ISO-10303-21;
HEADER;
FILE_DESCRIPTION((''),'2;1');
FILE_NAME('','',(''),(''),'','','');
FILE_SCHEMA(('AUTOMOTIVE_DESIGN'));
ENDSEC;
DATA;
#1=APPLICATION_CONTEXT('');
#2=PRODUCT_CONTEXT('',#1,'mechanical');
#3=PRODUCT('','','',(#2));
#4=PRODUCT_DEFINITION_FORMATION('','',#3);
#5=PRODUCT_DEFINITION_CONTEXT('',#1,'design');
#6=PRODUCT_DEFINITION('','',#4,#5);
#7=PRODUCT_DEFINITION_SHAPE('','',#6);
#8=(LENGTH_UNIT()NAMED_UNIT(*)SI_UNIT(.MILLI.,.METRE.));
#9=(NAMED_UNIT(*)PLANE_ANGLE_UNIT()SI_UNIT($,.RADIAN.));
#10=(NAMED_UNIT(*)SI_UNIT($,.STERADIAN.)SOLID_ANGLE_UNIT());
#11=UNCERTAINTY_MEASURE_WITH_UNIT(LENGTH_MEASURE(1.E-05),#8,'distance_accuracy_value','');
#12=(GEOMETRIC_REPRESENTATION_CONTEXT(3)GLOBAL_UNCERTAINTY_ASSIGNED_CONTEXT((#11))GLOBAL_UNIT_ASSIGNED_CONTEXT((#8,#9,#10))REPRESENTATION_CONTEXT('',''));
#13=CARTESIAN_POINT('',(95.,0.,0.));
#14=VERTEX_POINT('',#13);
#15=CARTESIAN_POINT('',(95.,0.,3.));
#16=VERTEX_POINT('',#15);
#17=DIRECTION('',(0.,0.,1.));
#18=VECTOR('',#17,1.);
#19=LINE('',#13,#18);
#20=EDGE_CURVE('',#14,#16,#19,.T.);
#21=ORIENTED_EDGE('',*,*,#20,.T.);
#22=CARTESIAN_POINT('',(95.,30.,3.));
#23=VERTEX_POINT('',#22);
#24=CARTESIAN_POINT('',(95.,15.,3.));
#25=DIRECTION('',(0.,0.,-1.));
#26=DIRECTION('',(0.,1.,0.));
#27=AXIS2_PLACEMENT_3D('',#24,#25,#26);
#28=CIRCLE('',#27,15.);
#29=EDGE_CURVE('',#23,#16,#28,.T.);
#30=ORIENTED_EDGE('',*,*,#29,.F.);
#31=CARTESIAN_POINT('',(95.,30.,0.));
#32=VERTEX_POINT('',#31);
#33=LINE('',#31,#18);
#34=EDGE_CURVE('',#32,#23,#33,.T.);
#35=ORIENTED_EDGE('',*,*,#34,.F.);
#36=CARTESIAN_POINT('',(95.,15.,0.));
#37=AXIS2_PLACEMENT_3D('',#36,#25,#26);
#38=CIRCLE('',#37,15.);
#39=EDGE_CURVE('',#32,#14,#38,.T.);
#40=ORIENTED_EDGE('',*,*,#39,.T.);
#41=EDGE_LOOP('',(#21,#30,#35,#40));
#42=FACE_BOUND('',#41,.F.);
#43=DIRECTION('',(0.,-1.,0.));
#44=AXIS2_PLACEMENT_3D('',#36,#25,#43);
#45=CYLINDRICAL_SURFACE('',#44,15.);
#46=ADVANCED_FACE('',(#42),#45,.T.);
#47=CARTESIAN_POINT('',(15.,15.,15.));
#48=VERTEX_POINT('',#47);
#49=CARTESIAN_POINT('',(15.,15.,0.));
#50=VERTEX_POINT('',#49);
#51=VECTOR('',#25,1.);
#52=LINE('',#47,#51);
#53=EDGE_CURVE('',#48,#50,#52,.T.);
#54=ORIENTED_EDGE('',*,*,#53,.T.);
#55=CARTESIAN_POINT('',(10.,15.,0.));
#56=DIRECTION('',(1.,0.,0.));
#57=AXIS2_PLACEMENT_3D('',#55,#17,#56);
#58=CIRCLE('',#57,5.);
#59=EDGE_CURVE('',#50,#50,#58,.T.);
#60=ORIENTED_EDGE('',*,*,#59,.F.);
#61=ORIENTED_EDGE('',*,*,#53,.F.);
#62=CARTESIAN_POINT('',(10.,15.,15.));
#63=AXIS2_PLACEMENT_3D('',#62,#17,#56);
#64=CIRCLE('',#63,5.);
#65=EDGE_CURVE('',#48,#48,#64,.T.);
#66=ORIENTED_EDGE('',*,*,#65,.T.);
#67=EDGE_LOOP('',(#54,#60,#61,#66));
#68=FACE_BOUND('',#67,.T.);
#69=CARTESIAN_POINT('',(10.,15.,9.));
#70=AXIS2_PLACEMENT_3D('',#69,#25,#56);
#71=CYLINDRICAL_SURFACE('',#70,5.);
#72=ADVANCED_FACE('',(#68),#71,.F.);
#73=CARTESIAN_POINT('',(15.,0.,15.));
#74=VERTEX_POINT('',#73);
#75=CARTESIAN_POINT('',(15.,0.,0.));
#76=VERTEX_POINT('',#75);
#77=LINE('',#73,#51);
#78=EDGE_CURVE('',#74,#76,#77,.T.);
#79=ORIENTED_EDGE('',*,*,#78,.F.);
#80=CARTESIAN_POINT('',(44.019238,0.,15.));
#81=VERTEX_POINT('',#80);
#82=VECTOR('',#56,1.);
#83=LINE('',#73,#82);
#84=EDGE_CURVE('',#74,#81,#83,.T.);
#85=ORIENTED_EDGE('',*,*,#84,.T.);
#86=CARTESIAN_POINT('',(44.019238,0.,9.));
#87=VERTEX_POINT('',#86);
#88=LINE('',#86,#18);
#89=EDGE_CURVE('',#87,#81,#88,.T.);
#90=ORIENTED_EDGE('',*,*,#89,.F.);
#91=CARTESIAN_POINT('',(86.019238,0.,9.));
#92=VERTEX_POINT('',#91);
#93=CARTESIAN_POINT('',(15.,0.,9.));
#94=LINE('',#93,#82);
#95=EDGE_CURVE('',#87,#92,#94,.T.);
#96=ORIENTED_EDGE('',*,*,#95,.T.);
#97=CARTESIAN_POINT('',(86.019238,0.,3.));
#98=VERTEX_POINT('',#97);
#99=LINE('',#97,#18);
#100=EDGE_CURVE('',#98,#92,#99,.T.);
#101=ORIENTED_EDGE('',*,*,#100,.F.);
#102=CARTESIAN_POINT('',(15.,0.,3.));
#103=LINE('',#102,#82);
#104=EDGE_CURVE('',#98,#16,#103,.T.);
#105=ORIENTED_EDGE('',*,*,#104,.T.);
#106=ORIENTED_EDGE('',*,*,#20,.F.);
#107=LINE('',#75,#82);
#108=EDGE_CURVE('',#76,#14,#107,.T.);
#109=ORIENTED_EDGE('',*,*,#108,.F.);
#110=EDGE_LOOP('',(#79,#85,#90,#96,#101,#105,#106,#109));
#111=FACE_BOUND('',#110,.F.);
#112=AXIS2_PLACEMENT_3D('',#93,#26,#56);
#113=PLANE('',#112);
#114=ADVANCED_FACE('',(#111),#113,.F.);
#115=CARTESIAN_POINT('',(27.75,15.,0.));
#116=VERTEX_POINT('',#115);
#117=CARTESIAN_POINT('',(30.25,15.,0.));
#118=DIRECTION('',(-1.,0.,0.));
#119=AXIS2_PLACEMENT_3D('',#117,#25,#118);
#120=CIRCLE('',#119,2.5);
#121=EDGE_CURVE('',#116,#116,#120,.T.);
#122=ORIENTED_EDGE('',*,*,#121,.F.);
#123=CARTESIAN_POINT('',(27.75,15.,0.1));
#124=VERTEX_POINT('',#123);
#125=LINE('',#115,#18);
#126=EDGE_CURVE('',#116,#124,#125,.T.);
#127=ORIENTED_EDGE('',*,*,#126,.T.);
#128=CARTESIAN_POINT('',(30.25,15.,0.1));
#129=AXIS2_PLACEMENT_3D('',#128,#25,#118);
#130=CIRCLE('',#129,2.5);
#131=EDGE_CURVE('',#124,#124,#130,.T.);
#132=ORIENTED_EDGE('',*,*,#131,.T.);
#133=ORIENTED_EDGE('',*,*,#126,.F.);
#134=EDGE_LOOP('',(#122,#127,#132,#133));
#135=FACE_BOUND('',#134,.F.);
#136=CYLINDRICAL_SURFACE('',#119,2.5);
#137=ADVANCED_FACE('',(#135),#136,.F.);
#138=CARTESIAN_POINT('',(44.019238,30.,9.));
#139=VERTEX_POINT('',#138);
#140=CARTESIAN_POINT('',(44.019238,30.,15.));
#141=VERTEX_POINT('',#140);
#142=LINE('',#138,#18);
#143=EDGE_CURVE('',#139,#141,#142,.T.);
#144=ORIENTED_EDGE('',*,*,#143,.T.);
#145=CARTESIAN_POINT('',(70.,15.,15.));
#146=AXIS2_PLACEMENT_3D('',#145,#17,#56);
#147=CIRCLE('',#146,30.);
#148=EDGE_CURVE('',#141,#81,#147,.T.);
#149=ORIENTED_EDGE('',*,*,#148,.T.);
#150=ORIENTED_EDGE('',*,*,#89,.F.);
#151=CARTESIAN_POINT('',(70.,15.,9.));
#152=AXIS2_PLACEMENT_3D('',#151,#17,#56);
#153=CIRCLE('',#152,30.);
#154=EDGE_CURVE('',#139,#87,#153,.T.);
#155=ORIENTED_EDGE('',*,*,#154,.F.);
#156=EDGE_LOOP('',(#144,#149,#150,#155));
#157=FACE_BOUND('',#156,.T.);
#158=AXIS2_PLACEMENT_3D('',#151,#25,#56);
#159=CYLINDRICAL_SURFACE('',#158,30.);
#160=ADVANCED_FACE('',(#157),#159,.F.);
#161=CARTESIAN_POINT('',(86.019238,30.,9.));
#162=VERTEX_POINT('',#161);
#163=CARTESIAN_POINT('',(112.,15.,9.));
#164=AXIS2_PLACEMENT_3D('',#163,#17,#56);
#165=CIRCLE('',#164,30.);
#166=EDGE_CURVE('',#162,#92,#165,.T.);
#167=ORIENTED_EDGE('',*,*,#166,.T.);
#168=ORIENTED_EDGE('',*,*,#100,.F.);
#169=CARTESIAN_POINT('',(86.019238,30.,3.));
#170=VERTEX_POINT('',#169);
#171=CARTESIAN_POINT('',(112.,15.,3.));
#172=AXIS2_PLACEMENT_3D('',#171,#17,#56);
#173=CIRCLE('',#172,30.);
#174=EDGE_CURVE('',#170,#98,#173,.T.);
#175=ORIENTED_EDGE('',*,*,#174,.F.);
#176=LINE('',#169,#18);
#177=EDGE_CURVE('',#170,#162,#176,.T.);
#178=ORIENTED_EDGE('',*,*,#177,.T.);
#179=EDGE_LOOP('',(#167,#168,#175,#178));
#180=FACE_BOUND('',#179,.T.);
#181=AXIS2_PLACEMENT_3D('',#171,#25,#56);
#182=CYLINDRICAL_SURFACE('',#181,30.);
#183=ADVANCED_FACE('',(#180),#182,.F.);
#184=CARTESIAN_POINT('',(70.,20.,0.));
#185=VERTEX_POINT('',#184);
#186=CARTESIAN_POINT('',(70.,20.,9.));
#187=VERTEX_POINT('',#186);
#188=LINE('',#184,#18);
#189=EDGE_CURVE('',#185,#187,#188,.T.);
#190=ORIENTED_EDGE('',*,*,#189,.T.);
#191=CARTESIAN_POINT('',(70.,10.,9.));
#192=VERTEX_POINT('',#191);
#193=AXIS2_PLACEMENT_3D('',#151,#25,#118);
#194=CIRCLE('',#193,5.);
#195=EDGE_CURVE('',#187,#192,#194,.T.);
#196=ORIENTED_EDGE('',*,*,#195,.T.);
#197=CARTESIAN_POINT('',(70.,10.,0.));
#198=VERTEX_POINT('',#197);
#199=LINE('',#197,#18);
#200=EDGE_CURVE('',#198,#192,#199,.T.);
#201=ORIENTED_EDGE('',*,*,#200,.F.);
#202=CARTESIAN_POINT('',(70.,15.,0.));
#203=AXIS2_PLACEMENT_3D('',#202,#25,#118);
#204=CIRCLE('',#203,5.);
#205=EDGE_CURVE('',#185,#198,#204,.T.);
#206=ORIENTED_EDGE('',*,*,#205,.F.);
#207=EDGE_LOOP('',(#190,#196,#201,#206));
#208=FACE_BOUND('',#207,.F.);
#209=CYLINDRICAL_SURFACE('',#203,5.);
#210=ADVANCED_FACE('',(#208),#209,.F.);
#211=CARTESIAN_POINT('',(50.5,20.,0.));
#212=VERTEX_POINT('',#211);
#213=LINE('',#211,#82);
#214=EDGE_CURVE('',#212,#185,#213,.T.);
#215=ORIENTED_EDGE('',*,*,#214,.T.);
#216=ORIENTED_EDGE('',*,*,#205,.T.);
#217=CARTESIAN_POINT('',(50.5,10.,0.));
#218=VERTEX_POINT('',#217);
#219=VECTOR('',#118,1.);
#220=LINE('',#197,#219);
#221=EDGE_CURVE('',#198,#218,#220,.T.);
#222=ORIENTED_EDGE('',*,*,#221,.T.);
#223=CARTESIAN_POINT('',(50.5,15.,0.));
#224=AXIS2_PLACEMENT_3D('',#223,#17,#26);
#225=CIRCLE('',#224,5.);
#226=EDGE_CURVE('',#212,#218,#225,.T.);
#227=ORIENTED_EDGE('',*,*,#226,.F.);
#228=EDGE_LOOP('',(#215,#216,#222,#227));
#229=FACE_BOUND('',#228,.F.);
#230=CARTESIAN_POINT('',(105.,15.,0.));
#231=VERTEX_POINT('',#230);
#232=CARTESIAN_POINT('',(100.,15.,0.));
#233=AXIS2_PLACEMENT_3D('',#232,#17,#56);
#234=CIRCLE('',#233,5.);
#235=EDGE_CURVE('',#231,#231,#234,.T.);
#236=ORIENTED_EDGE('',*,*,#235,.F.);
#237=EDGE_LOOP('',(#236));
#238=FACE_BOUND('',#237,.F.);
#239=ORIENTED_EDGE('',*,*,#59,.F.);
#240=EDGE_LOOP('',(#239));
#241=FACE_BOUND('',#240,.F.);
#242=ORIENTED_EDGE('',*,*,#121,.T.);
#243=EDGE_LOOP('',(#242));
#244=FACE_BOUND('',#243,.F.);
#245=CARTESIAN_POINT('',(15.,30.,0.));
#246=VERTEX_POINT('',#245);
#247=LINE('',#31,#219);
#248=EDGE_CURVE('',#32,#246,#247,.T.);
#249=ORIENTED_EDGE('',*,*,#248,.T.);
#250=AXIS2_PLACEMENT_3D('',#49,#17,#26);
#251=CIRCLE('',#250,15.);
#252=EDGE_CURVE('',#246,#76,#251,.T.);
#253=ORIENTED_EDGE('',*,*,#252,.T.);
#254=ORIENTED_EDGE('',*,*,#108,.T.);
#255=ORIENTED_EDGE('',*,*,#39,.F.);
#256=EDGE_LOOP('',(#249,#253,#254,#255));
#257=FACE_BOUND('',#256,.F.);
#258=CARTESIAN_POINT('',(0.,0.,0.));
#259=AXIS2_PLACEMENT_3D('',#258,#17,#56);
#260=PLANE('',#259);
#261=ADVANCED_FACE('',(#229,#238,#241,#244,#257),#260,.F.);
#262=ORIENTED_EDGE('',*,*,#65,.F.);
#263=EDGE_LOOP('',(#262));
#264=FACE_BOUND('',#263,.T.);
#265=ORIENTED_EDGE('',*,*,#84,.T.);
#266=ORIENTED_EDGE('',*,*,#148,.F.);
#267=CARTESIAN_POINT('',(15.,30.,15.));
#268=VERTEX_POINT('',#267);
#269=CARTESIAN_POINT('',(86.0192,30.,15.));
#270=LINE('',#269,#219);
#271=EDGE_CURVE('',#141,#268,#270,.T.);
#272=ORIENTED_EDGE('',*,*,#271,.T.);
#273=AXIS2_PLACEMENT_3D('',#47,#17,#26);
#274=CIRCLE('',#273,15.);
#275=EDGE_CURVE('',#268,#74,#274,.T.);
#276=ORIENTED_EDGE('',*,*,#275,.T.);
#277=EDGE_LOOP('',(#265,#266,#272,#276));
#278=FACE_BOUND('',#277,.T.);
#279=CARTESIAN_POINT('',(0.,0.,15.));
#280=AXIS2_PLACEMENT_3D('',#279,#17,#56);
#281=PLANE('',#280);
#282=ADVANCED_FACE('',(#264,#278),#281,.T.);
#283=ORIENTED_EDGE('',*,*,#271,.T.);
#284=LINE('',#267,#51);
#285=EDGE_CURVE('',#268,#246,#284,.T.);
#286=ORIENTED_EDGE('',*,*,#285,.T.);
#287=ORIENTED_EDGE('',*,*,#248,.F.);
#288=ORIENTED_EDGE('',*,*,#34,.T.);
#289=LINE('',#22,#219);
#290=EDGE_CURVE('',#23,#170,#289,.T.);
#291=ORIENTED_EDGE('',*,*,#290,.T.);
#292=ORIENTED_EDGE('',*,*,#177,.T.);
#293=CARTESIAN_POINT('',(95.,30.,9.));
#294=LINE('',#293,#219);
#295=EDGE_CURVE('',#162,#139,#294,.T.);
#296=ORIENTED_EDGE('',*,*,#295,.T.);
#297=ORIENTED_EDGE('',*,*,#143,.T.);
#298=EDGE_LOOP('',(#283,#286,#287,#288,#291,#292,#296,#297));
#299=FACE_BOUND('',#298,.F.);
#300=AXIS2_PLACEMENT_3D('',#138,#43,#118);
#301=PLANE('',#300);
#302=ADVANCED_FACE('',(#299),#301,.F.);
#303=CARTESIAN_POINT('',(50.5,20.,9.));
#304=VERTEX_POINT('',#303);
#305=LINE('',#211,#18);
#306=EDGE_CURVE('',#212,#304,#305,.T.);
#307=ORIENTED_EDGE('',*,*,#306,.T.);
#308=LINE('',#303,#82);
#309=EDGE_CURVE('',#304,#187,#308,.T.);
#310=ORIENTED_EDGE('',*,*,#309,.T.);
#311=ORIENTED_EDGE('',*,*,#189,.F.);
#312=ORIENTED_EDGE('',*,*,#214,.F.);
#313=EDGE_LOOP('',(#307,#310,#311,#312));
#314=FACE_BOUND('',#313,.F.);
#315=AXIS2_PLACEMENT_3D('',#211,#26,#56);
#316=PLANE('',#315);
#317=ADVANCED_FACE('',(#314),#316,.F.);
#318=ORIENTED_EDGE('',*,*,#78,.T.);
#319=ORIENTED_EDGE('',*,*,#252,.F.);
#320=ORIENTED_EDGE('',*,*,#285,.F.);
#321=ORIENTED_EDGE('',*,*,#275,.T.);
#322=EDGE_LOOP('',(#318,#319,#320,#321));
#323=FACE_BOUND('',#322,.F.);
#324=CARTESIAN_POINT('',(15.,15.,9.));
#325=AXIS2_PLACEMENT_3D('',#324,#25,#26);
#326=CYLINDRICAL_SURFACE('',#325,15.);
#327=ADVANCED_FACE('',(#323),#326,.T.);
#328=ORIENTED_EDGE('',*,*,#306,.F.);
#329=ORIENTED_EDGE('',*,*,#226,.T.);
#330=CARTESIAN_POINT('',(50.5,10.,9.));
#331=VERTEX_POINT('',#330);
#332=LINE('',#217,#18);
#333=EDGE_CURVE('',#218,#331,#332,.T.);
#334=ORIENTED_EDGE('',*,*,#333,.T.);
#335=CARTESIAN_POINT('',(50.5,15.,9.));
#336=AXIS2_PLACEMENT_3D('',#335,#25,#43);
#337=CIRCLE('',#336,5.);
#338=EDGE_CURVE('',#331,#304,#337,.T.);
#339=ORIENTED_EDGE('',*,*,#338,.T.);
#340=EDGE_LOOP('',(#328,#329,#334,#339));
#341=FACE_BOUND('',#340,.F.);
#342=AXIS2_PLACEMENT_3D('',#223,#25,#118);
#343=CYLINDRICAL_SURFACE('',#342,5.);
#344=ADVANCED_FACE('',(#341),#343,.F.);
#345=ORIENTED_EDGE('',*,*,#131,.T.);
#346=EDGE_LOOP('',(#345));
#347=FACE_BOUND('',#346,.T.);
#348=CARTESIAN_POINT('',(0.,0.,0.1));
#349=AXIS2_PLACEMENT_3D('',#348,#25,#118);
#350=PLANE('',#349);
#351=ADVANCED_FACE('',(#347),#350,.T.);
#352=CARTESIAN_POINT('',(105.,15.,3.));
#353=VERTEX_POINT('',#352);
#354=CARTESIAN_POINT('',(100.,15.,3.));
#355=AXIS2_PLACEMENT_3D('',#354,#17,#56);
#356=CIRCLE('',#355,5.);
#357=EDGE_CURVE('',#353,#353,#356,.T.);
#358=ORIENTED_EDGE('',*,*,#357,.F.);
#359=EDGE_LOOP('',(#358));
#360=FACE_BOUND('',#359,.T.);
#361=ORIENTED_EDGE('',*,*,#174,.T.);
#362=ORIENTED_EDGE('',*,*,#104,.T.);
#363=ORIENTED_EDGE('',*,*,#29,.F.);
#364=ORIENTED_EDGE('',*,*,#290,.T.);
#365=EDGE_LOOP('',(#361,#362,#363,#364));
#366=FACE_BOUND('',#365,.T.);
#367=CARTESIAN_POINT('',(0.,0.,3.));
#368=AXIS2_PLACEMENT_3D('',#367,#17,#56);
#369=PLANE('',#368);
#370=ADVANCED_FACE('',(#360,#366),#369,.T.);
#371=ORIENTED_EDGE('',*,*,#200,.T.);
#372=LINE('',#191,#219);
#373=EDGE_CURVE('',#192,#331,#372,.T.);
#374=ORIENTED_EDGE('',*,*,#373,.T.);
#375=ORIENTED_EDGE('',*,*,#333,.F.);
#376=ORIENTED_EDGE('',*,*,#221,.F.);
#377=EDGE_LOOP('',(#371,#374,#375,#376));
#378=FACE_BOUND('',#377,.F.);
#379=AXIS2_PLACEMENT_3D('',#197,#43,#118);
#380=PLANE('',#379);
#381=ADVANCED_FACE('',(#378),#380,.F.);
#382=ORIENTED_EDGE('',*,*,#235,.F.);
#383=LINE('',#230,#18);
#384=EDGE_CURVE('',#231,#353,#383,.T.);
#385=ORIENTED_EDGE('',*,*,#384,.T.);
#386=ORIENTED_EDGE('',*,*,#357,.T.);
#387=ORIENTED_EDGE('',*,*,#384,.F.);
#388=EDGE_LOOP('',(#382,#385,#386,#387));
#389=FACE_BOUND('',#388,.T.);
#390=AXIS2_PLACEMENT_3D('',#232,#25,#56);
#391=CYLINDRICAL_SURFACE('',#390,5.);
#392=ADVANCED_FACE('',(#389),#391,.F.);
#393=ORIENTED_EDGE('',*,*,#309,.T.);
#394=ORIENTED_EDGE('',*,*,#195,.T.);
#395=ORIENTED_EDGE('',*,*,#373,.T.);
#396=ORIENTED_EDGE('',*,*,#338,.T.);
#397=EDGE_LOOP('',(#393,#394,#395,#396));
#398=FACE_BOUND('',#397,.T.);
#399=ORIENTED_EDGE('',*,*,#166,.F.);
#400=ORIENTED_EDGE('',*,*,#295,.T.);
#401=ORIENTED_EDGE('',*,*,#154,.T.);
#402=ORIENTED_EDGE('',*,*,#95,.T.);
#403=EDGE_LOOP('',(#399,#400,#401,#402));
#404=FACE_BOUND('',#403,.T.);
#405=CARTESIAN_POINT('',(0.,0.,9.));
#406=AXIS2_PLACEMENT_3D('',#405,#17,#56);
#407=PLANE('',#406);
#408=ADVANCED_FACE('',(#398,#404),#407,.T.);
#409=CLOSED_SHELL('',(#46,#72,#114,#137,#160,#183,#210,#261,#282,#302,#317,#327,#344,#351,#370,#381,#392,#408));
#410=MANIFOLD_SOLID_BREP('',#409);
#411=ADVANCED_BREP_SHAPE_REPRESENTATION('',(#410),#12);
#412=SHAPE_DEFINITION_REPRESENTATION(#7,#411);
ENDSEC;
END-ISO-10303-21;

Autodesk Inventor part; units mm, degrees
ref_plane "YZ Plane" through (0, 0, 0) normal (1, 0, 0) x (0, 1, 0)
ref_plane "XZ Plane" through (0, 0, 0) normal (0, 1, 0) x (-1, 0, 0)
ref_plane "XY Plane" through (0, 0, 0) normal (0, 0, 1) x (1, 0, 0)
sketch "Sketch1" plane through (0, 0, 0) normal (0, 0, 1) x (1, 0, 0)
  line L0 (15, 0) -> (95, 0)
  line L1 (110, 15) -> (110, 15)
  line L2 (95, 30) -> (15, 30)
  line L3 (0, 15) -> (0, 15)
  circle A0 centre (10, 15) radius 5
  circle A1 centre (100, 15) radius 5
  arc A2 (110, 15) -> (95, 30) centre (95, 15) ccw
  arc A3 (95, 0) -> (110, 15) centre (95, 15) ccw
  arc A4 (0, 15) -> (15, 0) centre (15, 15) ccw
  arc A5 (15, 30) -> (0, 15) centre (15, 15) ccw
  point P0 (0, 0)
  point P1 (110, 0)
  point P2 (110, 30)
  point P3 (0, 15)
  dimension "d1" = 30
  dimension "d14" = 10
  dimension "d15" = 10
  dimension "d16" = 10
  dimension "d17" = 90
  dimension "d18" = 15
  dimension "d21" = 15
extrude "Extrusion1" add sketch "Sketch1" along normal blind 3
sketch "Sketch2" plane through (0, 0, 3) normal (0, 0, 1) x (1, 0, 0)
  arc A0 (95, 0) -> (95, 30) centre (95, 15) ccw projected
  line L0 (95, 30) -> (15, 30) projected
  arc A1 (15, 30) -> (15, 0) centre (15, 15) ccw projected
  line L1 (15, 0) -> (95, 0) projected
  circle A2 centre (100, 15) radius 5 projected
  circle A3 centre (10, 15) radius 5 projected
  circle A4 centre (100, 15) radius 5 projected
  line L2 (15, 0) -> (95, 0) projected
  line L3 (95, 30) -> (15, 30) projected
  circle A5 centre (112, 15) radius 30
  point P0 (0, 0)
  point P1 (86.0192, 0)
  point P2 (86.0192, 30)
  dimension "d32" = 60
  dimension "d33" = 12
extrude "Extrusion2" add sketch "Sketch2" along normal blind 6 contours L1 A1 L0 A5
sketch "Sketch3" plane through (0, 0, 0) normal (0, 0, -1) x (-1, 0, 0)
  arc A0 (-95, 30) -> (-95, 0) centre (-95, 15) ccw projected
  line L0 (-15, 0) -> (-95, 0) projected
  arc A1 (-15, 0) -> (-15, 30) centre (-15, 15) ccw projected
  line L1 (-95, 30) -> (-15, 30) projected
  circle A2 centre (-100, 15) radius 5 projected
  circle A3 centre (-10, 15) radius 5 projected
  circle A4 centre (-50.5, 15) radius 5
  circle A5 centre (-70, 15) radius 5
  circle A6 centre (-10, 15) radius 5 projected
  line L2 (-50.5, 20) -> (-70, 20)
  line L3 (-70, 10) -> (-50.5, 10)
  point P0 (0, 0)
  dimension "d26" = 40.5
  dimension "d27" = 30
  dimension "d28" = 10
extrude "Extrusion3" cut sketch "Sketch3" against normal up to surface (9 mm away) contours A4 | A4 L3 A5 L2 | A5
sketch "Sketch4" plane through (0, 0, 9) normal (0, 0, 1) x (1, 0, 0)
  line L0 (70, 10) -> (50.5, 10) projected
  arc A0 (50.5, 20) -> (50.5, 10) centre (50.5, 15) ccw projected
  line L1 (50.5, 20) -> (70, 20) projected
  arc A1 (70, 10) -> (70, 20) centre (70, 15) ccw projected
  line L2 (15, 0) -> (86.0192, 0) projected
  arc A2 (86.0192, 30) -> (86.0192, 0) centre (112, 15) ccw projected
  line L3 (86.0192, 30) -> (15, 30) projected
  arc A3 (15, 30) -> (15, 0) centre (15, 15) ccw projected
  circle A4 centre (10, 15) radius 5 projected
  circle A5 centre (70, 15) radius 15
  line L4 (15, 0) -> (95, 0) projected
  circle A6 centre (70, 15) radius 30
  point P0 (0, 0)
  point P1 (44.0192, 0)
  point P2 (44.0192, 30)
  dimension "d34" = 60
  dimension "d35" = 60
extrude "Extrusion4" add sketch "Sketch4" along normal blind 6 contours L2 A3 L3 A6
sketch "Sketch5" plane through (0, 0, 0) normal (0, 0, -1) x (-1, 0, 0)
  circle A0 centre (-30.25, 15) radius 2.5
  arc A1 (-50.5, 10) -> (-50.5, 20) centre (-50.5, 15) ccw projected
  circle A2 centre (-10, 15) radius 5 projected
  point P0 (0, 0)
  dimension "d38" = 5
  dimension "d39" = 40.5
  dimension "d40" = 20.25
extrude "Extrusion5" cut sketch "Sketch5" against normal blind 0.1 contours A0
equation "\"d1\" = d0"
equation "\"d14\" = d6"
equation "\"d15\" = d14"
equation "\"d16\" = d15"
equation "\"d18\" = 0.5 * d1"
equation "\"d21\" = 0.5 * d1"
equation "\"d19\" = d11"
equation "\"d32\" = 2 * d0"
equation "\"d33\" = 0.4 * d0"
equation "\"d22\" = 2 * d11"
equation "\"d26\" = 1.35 * d0"
equation "\"d27\" = d0"
equation "\"d34\" = 2 * d0"
equation "\"d35\" = 2 * d0"
equation "\"d36\" = 2 * d11"
equation "\"d40\" = 0.5 * d39"
equation "\"d6\" = 10"
equation "\"d11\" = 3"
equation "\"d0\" = 30"
properties part number "GripP4"
